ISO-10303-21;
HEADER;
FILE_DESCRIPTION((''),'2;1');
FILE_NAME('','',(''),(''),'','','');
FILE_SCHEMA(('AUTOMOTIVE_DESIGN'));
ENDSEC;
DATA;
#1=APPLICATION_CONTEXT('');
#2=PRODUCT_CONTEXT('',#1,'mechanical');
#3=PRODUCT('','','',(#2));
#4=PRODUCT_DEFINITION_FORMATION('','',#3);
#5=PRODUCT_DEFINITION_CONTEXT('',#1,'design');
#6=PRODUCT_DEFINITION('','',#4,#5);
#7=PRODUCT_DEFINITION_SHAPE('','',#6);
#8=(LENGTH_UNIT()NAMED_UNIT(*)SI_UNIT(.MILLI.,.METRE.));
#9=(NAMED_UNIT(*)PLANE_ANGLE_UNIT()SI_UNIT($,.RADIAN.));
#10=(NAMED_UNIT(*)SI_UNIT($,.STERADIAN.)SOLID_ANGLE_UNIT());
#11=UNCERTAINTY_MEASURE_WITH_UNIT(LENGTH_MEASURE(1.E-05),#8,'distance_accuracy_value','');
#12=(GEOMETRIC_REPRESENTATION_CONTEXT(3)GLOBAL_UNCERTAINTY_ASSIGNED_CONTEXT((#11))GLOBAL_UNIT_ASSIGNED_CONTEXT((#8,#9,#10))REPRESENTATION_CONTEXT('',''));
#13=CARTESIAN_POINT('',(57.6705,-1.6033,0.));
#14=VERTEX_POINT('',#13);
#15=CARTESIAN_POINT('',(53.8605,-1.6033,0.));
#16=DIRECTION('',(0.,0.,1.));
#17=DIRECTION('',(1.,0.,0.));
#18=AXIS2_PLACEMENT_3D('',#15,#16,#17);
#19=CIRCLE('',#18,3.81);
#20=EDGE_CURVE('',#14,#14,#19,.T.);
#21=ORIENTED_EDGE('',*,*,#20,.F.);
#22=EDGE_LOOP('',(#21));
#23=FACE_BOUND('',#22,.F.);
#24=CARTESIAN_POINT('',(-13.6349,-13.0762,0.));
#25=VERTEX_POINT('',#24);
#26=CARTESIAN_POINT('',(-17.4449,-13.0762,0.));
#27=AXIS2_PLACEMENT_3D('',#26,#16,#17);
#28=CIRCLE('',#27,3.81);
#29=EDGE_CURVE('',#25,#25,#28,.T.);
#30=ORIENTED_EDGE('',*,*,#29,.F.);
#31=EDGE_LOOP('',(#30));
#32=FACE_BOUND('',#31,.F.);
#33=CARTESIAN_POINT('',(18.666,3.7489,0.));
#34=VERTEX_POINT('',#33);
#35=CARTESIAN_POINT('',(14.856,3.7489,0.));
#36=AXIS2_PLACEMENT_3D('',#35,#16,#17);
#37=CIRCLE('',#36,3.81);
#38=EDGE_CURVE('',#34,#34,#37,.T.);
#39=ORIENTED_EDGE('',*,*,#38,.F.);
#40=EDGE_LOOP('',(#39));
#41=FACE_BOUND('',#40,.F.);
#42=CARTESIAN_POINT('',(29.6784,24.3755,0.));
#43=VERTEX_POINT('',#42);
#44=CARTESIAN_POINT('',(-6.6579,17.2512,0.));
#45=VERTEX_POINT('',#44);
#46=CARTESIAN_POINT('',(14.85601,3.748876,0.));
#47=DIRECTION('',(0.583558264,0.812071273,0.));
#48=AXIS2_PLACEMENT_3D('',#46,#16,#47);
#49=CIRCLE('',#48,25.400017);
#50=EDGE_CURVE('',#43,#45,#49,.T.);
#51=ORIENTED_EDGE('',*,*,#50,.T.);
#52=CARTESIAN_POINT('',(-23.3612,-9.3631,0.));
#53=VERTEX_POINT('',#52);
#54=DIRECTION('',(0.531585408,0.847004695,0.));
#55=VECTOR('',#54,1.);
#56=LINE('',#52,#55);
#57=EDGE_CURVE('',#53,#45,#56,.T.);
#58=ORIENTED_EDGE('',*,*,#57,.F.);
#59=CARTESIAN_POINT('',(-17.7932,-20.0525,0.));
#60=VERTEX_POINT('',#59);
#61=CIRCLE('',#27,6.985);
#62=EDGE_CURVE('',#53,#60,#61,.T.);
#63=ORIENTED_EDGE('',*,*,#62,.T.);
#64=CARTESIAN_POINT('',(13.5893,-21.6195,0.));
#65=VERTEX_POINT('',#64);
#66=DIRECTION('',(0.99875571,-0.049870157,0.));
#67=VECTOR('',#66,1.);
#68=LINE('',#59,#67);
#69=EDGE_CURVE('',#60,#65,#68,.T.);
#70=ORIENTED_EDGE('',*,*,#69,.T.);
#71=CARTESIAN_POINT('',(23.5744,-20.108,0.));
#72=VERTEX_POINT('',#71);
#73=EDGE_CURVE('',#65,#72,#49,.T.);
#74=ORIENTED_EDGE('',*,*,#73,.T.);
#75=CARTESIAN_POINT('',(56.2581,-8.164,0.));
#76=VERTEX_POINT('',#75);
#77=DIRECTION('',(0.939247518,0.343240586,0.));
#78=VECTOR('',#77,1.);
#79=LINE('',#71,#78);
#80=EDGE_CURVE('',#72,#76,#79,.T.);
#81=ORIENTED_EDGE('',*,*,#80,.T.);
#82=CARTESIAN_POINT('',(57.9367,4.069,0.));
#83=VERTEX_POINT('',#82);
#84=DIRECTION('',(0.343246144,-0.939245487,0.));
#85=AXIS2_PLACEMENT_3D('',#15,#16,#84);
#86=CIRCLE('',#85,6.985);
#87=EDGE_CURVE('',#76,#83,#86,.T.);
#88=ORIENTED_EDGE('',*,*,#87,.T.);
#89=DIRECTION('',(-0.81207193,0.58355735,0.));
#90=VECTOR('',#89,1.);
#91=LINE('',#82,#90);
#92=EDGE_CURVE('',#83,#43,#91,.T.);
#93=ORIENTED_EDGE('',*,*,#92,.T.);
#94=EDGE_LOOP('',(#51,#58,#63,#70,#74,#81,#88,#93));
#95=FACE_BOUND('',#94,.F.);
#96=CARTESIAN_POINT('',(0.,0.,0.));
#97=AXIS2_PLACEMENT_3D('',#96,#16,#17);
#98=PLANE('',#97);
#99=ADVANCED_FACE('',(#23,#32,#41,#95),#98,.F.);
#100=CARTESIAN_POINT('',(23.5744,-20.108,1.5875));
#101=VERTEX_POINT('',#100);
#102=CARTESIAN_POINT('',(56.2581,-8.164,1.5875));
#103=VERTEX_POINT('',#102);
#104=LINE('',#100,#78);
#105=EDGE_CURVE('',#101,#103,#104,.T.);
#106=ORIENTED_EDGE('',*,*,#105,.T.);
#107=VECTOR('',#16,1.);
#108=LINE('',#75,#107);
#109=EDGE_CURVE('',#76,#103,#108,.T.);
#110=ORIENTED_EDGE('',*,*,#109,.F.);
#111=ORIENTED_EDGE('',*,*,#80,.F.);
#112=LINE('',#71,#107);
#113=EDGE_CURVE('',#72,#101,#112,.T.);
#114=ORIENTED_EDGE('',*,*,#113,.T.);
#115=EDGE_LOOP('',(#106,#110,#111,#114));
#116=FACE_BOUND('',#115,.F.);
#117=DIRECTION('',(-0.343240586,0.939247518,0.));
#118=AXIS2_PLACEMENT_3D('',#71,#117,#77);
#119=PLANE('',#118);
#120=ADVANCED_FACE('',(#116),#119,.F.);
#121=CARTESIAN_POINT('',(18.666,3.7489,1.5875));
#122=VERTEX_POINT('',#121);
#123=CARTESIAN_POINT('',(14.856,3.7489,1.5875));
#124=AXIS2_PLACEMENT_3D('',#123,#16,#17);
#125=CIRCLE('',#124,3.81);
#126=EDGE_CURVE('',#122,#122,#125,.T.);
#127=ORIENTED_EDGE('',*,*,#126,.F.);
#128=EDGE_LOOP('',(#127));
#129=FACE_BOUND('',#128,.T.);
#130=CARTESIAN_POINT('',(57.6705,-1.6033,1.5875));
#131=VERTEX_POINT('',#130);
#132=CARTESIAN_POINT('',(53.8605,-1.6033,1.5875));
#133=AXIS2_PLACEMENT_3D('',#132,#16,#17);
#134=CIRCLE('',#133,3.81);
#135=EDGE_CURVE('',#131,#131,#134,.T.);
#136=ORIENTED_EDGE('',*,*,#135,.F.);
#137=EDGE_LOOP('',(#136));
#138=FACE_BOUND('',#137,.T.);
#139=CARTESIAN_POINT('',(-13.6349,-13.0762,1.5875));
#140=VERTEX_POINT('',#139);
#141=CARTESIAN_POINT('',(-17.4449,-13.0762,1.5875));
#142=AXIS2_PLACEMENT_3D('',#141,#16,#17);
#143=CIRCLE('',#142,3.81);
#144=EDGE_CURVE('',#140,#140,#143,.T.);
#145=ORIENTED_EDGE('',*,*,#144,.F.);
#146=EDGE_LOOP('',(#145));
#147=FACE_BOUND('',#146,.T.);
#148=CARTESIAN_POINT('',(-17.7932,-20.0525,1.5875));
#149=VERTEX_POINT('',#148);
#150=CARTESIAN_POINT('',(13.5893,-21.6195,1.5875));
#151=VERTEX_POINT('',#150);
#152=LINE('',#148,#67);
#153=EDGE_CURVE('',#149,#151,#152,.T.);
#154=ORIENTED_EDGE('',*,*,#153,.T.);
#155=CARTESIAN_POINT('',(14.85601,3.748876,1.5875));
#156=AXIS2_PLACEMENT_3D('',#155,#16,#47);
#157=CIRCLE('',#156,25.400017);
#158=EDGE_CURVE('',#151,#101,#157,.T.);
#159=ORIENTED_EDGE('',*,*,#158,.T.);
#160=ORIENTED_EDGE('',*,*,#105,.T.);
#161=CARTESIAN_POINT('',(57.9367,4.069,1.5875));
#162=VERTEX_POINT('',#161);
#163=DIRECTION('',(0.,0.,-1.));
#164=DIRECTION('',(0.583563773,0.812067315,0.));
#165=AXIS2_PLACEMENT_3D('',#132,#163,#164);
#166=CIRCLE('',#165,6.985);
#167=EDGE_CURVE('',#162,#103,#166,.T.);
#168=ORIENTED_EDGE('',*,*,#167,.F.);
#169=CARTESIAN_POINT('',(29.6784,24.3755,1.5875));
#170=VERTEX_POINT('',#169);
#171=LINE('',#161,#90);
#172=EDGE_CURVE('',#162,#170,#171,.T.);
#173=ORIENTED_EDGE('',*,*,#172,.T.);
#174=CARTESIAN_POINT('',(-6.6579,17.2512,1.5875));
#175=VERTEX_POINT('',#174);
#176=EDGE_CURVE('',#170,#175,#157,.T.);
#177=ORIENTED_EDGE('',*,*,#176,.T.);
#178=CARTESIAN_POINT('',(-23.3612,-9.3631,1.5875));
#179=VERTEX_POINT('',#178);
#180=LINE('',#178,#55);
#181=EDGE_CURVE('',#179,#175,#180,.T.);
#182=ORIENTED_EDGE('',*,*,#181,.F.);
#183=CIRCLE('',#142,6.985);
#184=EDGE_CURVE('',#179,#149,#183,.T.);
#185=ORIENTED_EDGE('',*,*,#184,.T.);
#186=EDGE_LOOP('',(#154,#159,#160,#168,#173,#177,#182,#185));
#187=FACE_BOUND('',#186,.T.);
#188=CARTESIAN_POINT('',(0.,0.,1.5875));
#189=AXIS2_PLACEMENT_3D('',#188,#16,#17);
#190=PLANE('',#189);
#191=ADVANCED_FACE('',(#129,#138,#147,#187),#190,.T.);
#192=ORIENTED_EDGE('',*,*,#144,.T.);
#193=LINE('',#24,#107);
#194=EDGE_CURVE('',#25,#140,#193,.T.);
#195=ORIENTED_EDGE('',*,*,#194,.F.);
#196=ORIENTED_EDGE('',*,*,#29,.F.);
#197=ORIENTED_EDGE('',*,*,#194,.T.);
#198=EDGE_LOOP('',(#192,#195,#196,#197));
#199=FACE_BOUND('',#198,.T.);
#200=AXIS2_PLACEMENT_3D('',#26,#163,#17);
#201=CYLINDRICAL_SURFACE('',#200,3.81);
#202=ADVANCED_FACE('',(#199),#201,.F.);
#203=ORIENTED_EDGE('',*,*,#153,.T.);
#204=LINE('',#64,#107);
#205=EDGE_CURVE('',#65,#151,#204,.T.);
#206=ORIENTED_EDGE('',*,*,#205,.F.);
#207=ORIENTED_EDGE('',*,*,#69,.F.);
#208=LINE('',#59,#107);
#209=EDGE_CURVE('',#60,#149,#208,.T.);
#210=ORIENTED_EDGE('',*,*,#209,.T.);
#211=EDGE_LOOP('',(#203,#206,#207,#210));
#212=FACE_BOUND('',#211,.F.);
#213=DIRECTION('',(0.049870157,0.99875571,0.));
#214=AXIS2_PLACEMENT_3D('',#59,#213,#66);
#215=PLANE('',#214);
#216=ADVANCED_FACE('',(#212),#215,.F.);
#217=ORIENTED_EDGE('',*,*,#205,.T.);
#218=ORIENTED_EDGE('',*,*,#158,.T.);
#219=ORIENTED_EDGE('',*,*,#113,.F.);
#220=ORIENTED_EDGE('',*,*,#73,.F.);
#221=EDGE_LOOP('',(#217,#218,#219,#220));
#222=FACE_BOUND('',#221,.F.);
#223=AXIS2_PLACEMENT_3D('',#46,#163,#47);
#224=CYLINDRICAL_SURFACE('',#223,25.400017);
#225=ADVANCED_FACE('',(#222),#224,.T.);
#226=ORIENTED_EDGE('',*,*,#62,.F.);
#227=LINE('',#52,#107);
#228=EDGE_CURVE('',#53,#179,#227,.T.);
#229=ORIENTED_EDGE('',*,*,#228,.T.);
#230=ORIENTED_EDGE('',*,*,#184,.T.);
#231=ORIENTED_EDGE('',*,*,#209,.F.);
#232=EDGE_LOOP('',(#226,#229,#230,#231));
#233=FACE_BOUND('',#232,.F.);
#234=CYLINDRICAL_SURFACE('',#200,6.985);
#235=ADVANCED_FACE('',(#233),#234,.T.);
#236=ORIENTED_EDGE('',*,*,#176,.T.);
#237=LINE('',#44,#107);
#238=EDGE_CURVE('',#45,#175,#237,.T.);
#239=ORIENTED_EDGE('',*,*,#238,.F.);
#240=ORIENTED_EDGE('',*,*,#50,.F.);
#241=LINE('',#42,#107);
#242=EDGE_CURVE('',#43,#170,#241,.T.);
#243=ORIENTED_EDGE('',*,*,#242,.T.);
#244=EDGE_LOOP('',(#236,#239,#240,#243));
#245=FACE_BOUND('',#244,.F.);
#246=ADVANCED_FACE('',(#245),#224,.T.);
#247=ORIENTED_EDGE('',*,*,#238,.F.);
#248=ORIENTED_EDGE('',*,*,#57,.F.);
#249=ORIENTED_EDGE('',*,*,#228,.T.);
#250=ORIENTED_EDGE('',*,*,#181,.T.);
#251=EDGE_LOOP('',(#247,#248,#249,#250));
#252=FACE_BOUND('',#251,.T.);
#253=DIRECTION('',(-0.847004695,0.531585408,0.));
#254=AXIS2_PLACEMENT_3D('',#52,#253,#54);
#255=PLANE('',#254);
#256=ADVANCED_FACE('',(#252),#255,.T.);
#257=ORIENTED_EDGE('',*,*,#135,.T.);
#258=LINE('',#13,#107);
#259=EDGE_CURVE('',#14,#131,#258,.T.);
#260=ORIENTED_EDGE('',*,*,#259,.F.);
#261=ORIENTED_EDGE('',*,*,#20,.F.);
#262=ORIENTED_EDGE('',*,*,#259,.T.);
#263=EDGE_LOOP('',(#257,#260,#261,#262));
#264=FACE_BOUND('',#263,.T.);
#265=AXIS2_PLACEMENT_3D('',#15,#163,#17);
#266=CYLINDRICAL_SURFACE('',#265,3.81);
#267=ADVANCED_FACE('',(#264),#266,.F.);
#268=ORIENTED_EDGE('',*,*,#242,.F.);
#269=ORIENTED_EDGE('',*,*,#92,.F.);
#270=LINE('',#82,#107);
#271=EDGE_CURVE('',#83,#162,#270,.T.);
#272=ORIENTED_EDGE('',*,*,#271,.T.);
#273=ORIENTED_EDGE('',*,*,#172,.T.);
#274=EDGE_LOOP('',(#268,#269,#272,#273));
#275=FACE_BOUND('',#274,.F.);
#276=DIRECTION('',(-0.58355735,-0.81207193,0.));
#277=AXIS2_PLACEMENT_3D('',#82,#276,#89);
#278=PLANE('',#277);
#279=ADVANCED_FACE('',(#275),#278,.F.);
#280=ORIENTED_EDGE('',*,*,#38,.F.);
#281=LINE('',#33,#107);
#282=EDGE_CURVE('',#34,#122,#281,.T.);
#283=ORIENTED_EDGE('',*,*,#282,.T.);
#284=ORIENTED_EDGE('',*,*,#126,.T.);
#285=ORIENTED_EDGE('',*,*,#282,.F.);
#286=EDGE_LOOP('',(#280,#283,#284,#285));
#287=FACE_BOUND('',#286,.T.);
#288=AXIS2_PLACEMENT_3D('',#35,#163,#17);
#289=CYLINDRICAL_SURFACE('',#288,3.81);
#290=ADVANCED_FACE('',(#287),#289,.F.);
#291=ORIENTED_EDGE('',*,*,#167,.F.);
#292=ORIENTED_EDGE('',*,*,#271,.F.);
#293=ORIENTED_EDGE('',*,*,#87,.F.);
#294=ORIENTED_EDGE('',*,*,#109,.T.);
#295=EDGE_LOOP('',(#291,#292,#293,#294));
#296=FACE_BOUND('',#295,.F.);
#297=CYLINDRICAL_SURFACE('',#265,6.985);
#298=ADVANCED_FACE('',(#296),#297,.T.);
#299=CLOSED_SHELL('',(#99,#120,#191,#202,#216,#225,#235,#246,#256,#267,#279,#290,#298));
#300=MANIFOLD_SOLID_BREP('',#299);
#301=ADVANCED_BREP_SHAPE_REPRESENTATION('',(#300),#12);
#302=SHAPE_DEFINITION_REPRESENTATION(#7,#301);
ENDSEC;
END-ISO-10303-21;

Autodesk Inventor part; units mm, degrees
ref_plane "YZ Plane" through (0, 0, 0) normal (1, 0, 0) x (0, 1, 0)
ref_plane "XZ Plane" through (0, 0, 0) normal (0, 1, 0) x (-1, 0, 0)
ref_plane "XY Plane" through (0, 0, 0) normal (0, 0, 1) x (1, 0, 0)
sketch "Sketch1" plane through (0, 0, 0) normal (0, 0, 1) x (1, 0, 0)
  circle A0 centre (14.856, 3.7489) radius 2.032 projected
  circle A1 centre (53.8605, -1.6033) radius 3.81
  circle A2 centre (14.856, 3.7489) radius 3.81
  circle A3 centre (53.8605, -1.6033) radius 6.985
  arc A4 (29.6784, 24.3755) -> (23.5744, -20.108) centre (14.856, 3.7489) ccw
  line L0 (57.9367, 4.069) -> (29.6784, 24.3755)
  line L1 (23.5744, -20.108) -> (56.2581, -8.164)
  circle A5 centre (-17.4449, -13.0762) radius 3.81
  circle A6 centre (-17.4449, -13.0762) radius 6.985
  line L2 (-17.7932, -20.0525) -> (13.5893, -21.6195)
  line L3 (-23.3612, -9.3631) -> (-6.6579, 17.2512)
  point P0 (0, 0)
  dimension "d2" = 7.62
  dimension "d3" = 7.62
  dimension "d4" = 39.37
  dimension "d5" = 13.97
  dimension "d6" = 50.8
  dimension "d7" = 7.62
  dimension "d8" = 13.97
extrude "Extrusion1" add sketch "Sketch1" along normal blind 1.5875 contours A3 | A3 L1 A4 L0 | A4 L2 A6 L3 | A6
properties part number "puncher gearbox"
